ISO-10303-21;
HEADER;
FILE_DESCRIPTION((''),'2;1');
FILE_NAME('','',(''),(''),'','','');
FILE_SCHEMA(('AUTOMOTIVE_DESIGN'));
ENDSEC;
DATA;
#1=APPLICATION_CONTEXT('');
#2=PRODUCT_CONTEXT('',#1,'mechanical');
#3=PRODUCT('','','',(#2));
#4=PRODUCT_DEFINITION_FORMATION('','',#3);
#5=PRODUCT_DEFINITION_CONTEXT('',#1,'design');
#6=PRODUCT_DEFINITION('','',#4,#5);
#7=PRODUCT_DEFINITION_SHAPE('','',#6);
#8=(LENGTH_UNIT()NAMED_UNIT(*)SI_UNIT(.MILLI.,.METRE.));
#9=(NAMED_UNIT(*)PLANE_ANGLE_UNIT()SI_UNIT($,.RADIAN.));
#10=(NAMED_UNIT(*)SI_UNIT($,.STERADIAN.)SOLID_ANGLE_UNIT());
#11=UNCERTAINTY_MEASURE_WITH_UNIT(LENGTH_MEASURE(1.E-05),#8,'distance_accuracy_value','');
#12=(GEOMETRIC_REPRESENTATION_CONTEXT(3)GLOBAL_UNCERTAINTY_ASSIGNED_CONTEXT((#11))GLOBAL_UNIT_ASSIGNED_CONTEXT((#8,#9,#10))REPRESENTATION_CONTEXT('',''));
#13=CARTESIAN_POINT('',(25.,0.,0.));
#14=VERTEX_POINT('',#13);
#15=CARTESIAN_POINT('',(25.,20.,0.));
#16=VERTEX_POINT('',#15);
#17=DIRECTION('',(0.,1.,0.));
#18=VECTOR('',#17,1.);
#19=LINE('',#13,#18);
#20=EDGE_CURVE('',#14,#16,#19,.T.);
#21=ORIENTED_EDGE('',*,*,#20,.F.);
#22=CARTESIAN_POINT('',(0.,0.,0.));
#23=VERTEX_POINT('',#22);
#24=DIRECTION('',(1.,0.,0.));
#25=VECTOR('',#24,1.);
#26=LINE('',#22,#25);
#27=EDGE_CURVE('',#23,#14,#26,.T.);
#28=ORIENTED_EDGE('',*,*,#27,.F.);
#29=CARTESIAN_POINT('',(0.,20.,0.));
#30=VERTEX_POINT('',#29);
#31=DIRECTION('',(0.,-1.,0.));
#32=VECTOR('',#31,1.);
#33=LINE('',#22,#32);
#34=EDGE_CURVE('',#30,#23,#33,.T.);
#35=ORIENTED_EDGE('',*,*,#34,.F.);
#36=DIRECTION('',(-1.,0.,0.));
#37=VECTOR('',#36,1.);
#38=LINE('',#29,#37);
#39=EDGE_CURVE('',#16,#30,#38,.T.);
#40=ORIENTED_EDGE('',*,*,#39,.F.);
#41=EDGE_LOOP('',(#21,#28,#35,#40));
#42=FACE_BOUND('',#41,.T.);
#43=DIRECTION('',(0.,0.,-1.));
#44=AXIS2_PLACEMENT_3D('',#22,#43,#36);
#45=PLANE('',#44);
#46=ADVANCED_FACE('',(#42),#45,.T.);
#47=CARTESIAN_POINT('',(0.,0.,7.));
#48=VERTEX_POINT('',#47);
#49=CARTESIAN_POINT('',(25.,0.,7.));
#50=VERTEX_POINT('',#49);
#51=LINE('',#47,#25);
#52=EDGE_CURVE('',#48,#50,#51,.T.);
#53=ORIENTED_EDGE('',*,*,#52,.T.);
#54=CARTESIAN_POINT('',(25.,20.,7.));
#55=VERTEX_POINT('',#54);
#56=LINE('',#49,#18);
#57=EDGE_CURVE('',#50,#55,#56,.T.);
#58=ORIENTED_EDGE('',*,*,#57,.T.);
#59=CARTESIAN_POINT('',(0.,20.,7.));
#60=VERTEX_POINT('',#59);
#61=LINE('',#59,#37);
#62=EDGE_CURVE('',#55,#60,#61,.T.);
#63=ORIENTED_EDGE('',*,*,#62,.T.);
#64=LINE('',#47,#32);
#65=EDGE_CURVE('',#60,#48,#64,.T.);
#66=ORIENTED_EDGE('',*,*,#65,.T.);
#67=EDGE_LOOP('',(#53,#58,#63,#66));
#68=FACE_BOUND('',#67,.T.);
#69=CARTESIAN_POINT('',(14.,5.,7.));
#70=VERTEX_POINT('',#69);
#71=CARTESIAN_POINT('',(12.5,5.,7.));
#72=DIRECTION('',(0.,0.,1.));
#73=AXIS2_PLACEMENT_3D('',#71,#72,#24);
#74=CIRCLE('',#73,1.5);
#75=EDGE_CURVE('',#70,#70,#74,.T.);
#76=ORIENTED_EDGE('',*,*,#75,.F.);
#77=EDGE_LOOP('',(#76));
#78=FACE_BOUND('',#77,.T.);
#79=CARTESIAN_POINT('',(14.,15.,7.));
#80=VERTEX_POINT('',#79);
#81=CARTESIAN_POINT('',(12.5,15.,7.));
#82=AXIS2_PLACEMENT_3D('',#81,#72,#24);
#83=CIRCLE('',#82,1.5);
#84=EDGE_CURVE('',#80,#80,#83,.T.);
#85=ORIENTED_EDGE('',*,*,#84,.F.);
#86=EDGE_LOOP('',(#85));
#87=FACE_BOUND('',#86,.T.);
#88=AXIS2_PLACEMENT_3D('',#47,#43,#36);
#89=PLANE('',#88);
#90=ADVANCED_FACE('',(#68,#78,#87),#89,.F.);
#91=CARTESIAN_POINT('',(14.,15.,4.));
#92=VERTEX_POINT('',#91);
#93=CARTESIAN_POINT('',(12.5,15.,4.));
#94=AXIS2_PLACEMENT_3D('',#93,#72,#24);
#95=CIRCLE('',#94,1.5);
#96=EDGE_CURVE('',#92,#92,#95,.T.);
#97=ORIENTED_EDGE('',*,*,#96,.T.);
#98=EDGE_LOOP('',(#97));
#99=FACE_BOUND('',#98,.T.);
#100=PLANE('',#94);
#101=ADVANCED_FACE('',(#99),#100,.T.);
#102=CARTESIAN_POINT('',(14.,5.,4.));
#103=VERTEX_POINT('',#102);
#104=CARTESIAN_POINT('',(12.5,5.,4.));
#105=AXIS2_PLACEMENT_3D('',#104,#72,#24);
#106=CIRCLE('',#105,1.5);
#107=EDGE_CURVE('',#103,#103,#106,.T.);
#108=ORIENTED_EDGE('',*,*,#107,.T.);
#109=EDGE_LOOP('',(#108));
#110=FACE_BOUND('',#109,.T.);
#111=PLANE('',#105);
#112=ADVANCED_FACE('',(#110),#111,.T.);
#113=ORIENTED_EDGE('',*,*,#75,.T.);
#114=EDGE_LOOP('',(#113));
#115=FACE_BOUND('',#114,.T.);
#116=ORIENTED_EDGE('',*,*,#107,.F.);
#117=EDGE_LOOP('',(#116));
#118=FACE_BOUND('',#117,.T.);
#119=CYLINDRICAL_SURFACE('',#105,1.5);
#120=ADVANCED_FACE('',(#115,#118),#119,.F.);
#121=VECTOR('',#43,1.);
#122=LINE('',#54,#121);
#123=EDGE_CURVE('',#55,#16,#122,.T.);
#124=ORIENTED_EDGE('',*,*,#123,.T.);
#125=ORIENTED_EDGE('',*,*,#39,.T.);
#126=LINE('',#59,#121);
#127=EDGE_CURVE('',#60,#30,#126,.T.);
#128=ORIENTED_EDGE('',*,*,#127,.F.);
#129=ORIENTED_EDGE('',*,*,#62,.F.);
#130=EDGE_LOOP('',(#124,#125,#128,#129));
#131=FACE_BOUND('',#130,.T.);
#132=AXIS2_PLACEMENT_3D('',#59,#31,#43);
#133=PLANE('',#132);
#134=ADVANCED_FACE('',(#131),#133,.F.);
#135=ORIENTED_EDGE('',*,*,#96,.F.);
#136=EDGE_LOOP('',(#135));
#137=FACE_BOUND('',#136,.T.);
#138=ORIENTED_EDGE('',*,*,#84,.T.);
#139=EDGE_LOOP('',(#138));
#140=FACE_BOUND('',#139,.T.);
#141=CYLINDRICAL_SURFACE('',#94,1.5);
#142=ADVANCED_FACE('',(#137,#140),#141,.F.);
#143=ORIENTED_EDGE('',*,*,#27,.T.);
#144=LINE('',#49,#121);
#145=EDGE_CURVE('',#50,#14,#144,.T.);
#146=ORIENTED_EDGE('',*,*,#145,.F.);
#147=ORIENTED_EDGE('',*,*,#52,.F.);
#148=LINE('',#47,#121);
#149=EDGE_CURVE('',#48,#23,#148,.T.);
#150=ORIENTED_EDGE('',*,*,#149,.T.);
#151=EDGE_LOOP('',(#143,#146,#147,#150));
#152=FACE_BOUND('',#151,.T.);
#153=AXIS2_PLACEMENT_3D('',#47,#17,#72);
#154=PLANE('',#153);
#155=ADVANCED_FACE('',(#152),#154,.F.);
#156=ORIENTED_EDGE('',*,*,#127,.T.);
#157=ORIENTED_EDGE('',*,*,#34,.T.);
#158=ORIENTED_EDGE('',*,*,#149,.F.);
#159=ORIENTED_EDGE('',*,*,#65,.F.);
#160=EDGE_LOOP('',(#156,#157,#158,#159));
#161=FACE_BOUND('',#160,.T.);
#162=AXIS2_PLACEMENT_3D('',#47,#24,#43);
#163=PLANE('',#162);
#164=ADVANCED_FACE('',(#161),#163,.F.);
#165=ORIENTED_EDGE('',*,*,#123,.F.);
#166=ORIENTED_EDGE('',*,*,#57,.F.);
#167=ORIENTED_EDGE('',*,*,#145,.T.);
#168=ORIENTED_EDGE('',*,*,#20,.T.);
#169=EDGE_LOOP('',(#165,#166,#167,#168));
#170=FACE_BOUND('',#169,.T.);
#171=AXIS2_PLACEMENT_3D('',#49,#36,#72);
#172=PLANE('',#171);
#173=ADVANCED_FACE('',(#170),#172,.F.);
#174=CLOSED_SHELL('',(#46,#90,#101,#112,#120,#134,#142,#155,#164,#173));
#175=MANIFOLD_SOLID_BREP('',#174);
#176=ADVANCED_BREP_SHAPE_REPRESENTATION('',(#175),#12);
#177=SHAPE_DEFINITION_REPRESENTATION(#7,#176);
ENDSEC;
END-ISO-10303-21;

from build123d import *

# Parameters (mm, degrees)
ESQUISSE1_W             = 25
ESQUISSE1_H             = 20
BOSS_EXTRU_1_DEPTH      = 7
ESQUISSE2_R             = 1.5
ENL_V_MAT_EXTRU_1_DEPTH = 3


with BuildPart() as part:
    # Esquisse1 → Boss.-Extru.1 (new body)
    with BuildSketch(Plane.XY):
        with Locations((12.5, 10)):
            Rectangle(ESQUISSE1_W, ESQUISSE1_H)
    extrude(amount=BOSS_EXTRU_1_DEPTH)

    # Esquisse2 → Enlèv. mat.-Extru.1 (cut)
    with BuildSketch(Plane.XY.offset(7)):
        with Locations((12.5, 15)):
            Circle(ESQUISSE2_R)
        with Locations((12.5, 5)):
            Circle(ESQUISSE2_R)
    extrude(amount=-ENL_V_MAT_EXTRU_1_DEPTH, mode=Mode.SUBTRACT)


solid = part.part
